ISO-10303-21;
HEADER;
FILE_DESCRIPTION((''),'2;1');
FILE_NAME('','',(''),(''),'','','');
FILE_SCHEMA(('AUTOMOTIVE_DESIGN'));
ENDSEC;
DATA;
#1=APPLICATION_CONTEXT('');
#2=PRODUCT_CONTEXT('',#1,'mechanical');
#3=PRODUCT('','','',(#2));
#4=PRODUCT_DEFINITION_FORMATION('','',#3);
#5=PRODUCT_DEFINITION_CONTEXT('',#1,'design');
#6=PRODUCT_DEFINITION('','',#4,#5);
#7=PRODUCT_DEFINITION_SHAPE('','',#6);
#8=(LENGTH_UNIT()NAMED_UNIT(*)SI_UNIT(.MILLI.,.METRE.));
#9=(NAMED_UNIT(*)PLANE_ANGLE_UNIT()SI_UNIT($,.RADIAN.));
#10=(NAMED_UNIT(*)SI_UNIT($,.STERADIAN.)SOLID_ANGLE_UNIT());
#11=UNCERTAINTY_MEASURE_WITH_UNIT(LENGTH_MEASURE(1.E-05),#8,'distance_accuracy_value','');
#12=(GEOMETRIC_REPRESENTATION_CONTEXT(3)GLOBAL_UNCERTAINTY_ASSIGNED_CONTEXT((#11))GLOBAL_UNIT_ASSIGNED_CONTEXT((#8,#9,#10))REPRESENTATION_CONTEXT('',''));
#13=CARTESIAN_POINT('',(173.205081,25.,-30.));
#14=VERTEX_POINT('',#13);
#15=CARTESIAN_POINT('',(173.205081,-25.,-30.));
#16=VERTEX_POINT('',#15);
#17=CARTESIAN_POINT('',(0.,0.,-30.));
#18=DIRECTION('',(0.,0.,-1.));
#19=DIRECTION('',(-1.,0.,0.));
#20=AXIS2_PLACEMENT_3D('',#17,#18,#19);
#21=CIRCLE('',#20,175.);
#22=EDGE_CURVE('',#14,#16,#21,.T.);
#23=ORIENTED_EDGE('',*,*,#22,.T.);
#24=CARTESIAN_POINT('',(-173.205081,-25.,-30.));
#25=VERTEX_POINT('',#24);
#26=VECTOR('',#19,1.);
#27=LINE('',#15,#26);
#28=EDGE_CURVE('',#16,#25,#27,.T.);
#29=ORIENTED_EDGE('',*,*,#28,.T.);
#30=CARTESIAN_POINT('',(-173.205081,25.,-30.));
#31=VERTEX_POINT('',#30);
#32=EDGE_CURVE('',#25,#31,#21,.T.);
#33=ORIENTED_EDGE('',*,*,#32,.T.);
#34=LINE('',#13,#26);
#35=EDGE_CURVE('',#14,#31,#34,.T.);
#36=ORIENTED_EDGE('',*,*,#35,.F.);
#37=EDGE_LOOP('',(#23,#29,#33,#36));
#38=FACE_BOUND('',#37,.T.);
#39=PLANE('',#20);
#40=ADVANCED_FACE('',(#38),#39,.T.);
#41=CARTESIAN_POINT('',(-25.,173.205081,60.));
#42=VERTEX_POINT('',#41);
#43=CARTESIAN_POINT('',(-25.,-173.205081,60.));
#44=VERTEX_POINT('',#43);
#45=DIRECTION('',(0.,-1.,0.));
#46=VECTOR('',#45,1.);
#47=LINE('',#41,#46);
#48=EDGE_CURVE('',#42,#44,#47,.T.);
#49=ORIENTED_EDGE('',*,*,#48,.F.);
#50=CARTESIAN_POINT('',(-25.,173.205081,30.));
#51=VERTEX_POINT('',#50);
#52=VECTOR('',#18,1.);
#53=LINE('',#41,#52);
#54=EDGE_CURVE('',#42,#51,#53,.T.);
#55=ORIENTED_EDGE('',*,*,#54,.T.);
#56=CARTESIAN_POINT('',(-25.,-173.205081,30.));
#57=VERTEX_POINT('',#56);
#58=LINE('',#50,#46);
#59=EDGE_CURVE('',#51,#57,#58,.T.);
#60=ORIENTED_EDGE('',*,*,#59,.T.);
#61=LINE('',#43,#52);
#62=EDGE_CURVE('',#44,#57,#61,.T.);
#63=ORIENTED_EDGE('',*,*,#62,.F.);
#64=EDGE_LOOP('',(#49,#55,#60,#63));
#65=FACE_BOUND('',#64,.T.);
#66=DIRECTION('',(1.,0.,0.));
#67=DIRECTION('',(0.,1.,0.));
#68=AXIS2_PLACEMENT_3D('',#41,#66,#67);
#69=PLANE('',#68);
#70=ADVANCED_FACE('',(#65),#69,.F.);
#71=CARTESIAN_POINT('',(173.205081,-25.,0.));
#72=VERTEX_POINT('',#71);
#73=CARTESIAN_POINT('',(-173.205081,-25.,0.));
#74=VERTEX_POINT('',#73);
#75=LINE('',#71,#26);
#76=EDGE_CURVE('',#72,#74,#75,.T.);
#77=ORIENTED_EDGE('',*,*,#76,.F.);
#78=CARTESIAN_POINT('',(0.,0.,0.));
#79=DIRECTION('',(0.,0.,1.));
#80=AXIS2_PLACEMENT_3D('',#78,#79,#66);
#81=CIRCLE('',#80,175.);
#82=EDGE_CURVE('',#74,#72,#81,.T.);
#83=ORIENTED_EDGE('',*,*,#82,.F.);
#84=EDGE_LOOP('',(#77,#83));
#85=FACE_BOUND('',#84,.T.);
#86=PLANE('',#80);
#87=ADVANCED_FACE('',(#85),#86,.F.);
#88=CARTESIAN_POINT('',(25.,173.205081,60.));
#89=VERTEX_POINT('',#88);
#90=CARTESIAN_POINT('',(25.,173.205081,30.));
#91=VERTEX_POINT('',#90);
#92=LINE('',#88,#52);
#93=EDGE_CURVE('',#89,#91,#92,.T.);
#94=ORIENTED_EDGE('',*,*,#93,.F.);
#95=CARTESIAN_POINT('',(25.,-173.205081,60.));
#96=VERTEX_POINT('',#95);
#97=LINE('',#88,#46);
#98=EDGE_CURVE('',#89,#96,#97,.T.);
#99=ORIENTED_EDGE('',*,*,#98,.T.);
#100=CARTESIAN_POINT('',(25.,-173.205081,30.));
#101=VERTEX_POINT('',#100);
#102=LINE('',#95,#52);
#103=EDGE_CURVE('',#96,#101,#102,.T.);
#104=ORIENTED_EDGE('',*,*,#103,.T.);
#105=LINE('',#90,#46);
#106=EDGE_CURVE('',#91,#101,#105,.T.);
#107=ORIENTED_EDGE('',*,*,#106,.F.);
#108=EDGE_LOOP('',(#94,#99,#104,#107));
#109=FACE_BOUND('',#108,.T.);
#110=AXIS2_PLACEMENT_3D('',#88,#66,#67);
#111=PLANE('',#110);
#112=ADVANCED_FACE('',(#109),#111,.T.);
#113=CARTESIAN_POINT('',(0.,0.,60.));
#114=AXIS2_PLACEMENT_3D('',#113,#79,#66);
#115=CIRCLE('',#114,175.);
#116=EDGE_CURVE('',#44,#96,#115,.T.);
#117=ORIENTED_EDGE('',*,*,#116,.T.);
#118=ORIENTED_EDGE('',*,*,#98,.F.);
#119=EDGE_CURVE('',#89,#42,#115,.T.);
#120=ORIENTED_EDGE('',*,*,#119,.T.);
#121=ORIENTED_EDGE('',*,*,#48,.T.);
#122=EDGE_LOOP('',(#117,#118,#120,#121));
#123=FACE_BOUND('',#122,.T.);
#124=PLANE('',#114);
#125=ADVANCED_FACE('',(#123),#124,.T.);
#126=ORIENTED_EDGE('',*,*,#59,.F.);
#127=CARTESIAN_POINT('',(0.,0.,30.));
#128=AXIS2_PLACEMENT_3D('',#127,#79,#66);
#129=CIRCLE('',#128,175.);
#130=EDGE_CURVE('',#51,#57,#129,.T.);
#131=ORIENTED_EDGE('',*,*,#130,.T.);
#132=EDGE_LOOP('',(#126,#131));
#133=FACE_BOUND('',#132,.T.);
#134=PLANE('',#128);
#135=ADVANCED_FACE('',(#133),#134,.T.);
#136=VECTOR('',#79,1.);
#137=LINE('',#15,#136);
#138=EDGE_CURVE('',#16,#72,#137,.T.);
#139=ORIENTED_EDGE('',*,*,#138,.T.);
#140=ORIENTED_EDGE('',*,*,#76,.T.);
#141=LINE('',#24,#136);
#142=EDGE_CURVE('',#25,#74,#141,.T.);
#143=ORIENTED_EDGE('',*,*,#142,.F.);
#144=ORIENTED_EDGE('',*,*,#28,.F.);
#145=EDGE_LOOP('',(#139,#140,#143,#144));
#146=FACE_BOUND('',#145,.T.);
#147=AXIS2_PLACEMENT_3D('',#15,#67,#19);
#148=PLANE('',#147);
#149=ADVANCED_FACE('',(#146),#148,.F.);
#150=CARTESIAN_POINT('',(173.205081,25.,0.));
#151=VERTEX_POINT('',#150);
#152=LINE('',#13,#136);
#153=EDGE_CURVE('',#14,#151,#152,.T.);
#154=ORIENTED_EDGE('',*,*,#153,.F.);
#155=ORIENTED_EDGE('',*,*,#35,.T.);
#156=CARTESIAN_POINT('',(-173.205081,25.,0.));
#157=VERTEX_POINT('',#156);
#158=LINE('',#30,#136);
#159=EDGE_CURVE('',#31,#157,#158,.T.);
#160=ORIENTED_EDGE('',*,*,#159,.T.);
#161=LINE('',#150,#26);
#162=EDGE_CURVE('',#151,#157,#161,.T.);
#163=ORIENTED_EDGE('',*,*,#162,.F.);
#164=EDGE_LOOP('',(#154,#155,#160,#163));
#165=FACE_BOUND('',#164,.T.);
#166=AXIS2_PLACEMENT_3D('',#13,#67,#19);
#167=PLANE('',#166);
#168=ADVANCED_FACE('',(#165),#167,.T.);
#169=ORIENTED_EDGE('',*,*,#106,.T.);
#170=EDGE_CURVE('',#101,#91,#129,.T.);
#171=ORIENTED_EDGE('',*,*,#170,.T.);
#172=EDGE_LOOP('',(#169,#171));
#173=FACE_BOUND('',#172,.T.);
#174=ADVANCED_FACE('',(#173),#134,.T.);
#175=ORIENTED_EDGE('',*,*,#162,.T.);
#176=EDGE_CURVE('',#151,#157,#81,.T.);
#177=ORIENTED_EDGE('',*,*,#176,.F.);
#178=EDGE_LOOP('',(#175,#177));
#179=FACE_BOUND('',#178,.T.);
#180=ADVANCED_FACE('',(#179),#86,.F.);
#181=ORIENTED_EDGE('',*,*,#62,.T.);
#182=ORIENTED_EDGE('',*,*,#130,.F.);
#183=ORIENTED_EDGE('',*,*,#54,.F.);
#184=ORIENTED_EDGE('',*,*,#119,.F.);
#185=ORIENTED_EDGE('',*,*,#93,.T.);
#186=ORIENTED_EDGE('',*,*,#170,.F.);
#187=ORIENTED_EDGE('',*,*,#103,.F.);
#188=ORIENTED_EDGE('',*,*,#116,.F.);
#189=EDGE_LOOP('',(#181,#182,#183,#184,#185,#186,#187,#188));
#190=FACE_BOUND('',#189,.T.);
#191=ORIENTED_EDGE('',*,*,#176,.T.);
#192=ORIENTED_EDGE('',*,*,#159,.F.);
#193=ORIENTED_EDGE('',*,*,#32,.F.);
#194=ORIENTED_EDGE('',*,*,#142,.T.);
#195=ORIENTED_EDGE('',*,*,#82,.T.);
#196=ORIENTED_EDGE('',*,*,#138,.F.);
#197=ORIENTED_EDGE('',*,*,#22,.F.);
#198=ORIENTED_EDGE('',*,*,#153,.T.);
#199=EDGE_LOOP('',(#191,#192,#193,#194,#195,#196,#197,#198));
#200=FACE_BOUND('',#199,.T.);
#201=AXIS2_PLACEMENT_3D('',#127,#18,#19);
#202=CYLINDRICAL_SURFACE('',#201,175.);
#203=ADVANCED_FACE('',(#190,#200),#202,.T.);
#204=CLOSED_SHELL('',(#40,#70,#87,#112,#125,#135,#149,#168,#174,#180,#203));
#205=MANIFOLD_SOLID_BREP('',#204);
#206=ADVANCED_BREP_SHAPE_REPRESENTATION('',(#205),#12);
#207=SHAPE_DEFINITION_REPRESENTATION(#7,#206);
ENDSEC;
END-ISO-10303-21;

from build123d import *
from build123d.topology import SkipClean

# Parameters (mm, degrees)
SKETCH1_R           = 175
BOSS_EXTRUDE1_DEPTH = 30
BOSS_EXTRUDE2_DEPTH = 30
BOSS_EXTRUDE3_START = 30
BOSS_EXTRUDE3_DEPTH = 30


with BuildPart() as part:
    # Sketch1 → Boss-Extrude1 (new body)
    with BuildSketch(Plane.XY):
        Circle(SKETCH1_R)
    extrude(amount=BOSS_EXTRUDE1_DEPTH)

    # Sketch2 → Boss-Extrude2 (add)
    with SkipClean():  # the faces are left unmerged after this step: merging them gives an invalid solid
        with BuildSketch(Plane.XY.offset(30)):
            with BuildLine():
                Line((25, 173.205080757), (25, -173.205080757))
                ThreePointArc((25, -173.205080757), (0, -175), (-25, -173.205080757))
                Line((-25, -173.205080757), (-25, 173.205080757))
                ThreePointArc((-25, 173.205080757), (0, 175), (25, 173.205080757))
            make_face()
        extrude(amount=BOSS_EXTRUDE2_DEPTH)

    # Sketch3 → Boss-Extrude3 (add)
    with SkipClean():  # the faces are left unmerged after this step: merging them gives an invalid solid
        with BuildSketch(Plane(origin=(0, 0, 0), x_dir=(-1, 0, 0), z_dir=(0, 0, -1)).offset(BOSS_EXTRUDE3_START)):
            with BuildLine():
                Line((-173.205080757, 25), (173.205080757, 25))
                ThreePointArc((173.205080757, 25), (175, 0), (173.205080757, -25))
                Line((173.205080757, -25), (-173.205080757, -25))
                ThreePointArc((-173.205080757, -25), (-175, 0), (-173.205080757, 25))
            make_face()
        extrude(amount=-BOSS_EXTRUDE3_DEPTH)


solid = part.part
